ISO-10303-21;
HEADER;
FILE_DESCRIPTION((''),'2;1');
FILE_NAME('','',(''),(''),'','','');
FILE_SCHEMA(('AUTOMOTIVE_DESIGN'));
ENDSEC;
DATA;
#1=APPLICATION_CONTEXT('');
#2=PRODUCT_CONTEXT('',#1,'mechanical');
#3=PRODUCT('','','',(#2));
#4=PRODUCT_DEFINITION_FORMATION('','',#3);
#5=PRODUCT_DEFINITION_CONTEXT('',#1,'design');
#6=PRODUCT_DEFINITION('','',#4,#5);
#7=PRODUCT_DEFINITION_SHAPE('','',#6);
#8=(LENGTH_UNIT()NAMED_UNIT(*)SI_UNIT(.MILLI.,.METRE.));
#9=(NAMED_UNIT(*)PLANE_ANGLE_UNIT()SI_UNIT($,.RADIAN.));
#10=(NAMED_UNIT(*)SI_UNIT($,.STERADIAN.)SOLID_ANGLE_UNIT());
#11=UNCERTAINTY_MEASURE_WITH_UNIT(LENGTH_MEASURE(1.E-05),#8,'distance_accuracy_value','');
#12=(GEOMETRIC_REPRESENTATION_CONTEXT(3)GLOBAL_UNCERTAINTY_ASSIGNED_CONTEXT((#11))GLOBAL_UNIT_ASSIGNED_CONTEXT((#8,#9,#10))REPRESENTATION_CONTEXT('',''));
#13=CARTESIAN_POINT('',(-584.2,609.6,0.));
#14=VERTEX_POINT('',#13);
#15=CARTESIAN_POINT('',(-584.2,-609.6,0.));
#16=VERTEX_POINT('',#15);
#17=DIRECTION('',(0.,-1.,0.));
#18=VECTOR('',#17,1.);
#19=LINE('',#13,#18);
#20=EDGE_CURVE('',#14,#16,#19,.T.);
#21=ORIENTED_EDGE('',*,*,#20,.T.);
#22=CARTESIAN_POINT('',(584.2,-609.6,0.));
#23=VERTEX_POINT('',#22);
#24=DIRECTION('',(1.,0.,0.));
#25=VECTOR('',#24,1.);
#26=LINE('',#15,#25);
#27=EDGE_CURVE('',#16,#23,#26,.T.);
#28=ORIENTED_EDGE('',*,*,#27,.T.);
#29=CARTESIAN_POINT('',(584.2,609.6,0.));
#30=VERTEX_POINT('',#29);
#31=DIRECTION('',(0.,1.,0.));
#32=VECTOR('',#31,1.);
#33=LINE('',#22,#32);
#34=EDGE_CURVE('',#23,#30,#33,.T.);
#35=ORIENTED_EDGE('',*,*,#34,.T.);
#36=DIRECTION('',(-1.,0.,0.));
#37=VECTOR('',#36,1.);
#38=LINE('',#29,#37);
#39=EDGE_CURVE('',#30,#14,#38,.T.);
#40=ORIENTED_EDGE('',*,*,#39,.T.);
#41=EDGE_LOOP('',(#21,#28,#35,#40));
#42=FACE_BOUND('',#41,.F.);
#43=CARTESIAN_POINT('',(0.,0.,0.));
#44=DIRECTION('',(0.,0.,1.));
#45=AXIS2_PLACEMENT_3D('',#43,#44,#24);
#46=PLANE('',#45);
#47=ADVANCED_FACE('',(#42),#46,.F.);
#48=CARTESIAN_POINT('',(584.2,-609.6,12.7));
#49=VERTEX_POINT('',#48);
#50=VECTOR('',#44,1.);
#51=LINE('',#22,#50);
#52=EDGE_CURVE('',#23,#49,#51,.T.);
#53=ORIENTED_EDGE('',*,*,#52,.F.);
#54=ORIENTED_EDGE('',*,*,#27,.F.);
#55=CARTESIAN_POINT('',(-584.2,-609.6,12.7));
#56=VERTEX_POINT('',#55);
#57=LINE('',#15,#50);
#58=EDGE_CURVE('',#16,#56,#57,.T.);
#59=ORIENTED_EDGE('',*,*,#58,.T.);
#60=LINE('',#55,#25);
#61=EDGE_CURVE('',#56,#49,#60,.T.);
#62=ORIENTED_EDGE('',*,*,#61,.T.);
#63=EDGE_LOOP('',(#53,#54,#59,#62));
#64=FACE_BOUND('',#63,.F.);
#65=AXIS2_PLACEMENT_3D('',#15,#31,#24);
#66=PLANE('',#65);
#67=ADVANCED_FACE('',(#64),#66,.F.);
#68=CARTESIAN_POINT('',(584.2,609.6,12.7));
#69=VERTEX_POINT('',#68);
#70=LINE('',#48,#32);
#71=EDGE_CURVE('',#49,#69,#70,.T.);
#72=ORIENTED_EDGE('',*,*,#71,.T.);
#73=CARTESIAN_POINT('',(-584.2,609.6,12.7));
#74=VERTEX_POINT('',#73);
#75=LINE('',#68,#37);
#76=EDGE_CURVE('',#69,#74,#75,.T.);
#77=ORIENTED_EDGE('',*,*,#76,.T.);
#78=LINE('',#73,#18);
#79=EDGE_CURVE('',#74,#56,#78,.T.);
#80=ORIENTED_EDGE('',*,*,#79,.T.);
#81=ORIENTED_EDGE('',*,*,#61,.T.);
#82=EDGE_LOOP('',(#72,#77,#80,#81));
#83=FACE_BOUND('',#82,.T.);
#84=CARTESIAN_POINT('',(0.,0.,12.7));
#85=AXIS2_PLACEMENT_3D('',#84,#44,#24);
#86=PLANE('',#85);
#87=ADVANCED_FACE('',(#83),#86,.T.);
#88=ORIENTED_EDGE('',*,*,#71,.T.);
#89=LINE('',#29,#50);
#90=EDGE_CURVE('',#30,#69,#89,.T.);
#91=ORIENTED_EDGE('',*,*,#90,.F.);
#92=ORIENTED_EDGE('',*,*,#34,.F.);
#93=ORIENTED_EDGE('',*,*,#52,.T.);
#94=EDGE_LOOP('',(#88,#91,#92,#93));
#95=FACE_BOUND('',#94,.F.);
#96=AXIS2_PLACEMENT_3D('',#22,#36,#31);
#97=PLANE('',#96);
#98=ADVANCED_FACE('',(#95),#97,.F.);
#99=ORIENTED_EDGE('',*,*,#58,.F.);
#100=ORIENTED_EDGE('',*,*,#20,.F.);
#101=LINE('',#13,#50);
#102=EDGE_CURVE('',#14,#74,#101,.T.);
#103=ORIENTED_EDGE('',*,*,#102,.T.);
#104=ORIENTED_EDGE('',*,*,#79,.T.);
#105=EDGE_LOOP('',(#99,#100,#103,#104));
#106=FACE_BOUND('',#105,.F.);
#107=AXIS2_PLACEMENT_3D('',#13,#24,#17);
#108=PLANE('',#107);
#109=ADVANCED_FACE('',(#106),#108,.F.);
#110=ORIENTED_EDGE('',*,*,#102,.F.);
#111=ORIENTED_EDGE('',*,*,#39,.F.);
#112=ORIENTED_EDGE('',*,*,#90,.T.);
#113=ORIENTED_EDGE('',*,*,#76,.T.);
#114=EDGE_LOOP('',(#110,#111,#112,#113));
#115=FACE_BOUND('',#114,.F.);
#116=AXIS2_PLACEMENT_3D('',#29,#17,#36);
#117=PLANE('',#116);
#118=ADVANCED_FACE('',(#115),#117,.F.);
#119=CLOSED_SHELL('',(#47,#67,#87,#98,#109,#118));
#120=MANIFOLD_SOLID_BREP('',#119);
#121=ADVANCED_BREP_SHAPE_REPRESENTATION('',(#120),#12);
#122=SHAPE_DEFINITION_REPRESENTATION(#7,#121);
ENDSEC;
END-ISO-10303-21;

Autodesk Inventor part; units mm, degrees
ref_plane "YZ Plane" through (0, 0, 0) normal (1, 0, 0) x (0, 1, 0)
ref_plane "XZ Plane" through (0, 0, 0) normal (0, 1, 0) x (-1, 0, 0)
ref_plane "XY Plane" through (0, 0, 0) normal (0, 0, 1) x (1, 0, 0)
sketch "Sketch1" plane through (0, 0, 0) normal (0, 0, 1) x (1, 0, 0)
  line L0 (-584.2, -609.6) -> (584.2, -609.6)
  line L1 (584.2, -609.6) -> (584.2, 609.6)
  line L2 (584.2, 609.6) -> (-584.2, 609.6)
  line L3 (-584.2, 609.6) -> (-584.2, -609.6)
  line L4 (-584.2, -609.6) -> (584.2, 609.6) construction
  line L5 (584.2, -609.6) -> (-584.2, 609.6) construction
  point P0 (0, 0)
  dimension "d0" = 1168.4
  dimension "d1" = 1219.2
extrude "Extrusion1" add sketch "Sketch1" along normal blind 12.7
properties part number "right_1_0"
